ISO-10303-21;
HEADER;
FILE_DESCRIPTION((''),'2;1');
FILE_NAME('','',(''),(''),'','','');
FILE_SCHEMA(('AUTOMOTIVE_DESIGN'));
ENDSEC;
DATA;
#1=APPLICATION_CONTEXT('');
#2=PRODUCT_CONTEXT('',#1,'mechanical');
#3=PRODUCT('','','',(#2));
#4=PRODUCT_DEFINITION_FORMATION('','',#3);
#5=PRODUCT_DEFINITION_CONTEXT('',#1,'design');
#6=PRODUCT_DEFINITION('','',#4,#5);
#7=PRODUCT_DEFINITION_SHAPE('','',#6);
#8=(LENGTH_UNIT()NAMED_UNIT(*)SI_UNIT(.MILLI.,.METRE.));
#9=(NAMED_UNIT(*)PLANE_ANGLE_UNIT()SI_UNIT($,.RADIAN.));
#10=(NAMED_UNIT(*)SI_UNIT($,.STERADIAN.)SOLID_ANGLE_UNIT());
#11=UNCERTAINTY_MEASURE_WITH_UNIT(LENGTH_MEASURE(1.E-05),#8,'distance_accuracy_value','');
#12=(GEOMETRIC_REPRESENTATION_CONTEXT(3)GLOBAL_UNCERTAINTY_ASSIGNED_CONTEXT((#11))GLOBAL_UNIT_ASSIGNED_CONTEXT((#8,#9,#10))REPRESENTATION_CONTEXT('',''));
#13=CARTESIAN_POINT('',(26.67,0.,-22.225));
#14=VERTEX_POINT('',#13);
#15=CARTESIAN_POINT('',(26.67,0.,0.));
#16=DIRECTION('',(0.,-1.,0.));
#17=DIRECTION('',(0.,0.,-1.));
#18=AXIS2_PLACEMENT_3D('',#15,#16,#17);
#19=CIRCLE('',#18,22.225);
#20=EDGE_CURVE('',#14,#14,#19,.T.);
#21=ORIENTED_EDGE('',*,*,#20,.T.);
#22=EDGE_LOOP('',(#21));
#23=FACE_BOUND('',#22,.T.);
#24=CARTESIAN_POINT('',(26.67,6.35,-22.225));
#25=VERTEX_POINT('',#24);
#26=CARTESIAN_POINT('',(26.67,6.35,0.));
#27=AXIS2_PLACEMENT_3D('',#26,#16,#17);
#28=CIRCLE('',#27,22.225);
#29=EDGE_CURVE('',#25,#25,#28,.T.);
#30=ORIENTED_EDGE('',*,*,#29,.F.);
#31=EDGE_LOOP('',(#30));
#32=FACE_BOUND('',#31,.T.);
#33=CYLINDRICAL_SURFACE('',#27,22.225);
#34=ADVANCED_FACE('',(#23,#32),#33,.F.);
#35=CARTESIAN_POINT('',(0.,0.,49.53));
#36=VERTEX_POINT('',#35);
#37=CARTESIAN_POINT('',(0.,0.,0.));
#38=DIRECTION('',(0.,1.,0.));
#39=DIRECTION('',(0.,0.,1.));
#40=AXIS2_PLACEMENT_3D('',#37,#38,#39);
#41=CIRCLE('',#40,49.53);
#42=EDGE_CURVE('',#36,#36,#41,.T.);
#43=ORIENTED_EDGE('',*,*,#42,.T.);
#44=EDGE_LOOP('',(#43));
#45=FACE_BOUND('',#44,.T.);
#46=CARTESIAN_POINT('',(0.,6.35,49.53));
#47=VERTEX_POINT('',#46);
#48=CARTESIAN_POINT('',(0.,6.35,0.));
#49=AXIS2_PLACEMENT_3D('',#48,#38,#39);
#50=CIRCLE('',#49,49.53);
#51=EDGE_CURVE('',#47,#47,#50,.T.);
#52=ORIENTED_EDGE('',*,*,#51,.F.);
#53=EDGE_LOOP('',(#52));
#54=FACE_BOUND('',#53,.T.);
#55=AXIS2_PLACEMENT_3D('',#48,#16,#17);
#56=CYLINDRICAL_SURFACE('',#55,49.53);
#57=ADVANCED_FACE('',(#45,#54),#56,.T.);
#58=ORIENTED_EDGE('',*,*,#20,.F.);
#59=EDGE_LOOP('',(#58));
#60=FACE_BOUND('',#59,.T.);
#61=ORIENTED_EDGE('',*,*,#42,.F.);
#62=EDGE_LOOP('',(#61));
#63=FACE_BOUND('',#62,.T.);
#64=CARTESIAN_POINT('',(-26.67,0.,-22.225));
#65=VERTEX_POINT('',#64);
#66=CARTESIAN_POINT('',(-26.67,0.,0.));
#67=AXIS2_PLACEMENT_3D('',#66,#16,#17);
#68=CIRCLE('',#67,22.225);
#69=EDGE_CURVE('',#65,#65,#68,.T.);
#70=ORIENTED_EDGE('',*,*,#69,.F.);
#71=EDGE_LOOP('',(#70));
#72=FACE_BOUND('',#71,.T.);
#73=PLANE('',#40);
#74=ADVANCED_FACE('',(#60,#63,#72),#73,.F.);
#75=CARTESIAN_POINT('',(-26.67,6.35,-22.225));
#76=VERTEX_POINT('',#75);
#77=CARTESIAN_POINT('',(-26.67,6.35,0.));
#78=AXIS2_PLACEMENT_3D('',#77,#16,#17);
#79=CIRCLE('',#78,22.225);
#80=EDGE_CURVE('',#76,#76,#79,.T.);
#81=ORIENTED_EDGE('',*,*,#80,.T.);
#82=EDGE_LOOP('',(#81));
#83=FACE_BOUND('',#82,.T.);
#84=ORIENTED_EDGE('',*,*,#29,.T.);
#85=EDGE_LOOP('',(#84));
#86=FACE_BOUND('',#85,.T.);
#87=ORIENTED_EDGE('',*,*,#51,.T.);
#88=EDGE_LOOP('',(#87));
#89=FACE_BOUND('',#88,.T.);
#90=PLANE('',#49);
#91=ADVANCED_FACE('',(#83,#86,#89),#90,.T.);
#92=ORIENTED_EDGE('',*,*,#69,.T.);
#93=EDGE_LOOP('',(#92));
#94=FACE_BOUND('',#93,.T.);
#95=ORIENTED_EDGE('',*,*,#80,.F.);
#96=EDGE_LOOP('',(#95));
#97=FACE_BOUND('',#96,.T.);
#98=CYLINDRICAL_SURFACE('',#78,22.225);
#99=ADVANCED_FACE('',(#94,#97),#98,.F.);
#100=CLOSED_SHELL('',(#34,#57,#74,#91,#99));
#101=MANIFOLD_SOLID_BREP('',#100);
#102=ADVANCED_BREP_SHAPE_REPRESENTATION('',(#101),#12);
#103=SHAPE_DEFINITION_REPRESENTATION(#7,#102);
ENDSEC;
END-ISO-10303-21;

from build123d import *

# Parameters (mm, degrees)
SKETCH1_R           = 49.53
BOSS_EXTRUDE1_DEPTH = 6.35
SKETCH2_R           = 22.225
CUT_EXTRUDE1_DEPTH  = 71.33323752


with BuildPart() as part:
    # Sketch1 → Boss-Extrude1 (new body)
    with BuildSketch(Plane(origin=(0, 0, 0), x_dir=(1, 0, 0), z_dir=(0, 1, 0))):
        with Locations(Location((0, 0, 0), (0, 0, 270))):
            Circle(SKETCH1_R)
    extrude(amount=BOSS_EXTRUDE1_DEPTH)

    # Sketch2 → Cut-Extrude1 (cut, through all)
    with BuildSketch(Plane(origin=(0, 0, 0), x_dir=(-1, 0, 0), z_dir=(0, -1, 0))):
        with Locations(Location((26.67, 0, 0), (0, 0, 90))):
            Circle(SKETCH2_R)
        with Locations(Location((-26.67, 0, 0), (0, 0, 90))):
            Circle(SKETCH2_R)
    extrude(amount=-CUT_EXTRUDE1_DEPTH, mode=Mode.SUBTRACT)


solid = part.part
